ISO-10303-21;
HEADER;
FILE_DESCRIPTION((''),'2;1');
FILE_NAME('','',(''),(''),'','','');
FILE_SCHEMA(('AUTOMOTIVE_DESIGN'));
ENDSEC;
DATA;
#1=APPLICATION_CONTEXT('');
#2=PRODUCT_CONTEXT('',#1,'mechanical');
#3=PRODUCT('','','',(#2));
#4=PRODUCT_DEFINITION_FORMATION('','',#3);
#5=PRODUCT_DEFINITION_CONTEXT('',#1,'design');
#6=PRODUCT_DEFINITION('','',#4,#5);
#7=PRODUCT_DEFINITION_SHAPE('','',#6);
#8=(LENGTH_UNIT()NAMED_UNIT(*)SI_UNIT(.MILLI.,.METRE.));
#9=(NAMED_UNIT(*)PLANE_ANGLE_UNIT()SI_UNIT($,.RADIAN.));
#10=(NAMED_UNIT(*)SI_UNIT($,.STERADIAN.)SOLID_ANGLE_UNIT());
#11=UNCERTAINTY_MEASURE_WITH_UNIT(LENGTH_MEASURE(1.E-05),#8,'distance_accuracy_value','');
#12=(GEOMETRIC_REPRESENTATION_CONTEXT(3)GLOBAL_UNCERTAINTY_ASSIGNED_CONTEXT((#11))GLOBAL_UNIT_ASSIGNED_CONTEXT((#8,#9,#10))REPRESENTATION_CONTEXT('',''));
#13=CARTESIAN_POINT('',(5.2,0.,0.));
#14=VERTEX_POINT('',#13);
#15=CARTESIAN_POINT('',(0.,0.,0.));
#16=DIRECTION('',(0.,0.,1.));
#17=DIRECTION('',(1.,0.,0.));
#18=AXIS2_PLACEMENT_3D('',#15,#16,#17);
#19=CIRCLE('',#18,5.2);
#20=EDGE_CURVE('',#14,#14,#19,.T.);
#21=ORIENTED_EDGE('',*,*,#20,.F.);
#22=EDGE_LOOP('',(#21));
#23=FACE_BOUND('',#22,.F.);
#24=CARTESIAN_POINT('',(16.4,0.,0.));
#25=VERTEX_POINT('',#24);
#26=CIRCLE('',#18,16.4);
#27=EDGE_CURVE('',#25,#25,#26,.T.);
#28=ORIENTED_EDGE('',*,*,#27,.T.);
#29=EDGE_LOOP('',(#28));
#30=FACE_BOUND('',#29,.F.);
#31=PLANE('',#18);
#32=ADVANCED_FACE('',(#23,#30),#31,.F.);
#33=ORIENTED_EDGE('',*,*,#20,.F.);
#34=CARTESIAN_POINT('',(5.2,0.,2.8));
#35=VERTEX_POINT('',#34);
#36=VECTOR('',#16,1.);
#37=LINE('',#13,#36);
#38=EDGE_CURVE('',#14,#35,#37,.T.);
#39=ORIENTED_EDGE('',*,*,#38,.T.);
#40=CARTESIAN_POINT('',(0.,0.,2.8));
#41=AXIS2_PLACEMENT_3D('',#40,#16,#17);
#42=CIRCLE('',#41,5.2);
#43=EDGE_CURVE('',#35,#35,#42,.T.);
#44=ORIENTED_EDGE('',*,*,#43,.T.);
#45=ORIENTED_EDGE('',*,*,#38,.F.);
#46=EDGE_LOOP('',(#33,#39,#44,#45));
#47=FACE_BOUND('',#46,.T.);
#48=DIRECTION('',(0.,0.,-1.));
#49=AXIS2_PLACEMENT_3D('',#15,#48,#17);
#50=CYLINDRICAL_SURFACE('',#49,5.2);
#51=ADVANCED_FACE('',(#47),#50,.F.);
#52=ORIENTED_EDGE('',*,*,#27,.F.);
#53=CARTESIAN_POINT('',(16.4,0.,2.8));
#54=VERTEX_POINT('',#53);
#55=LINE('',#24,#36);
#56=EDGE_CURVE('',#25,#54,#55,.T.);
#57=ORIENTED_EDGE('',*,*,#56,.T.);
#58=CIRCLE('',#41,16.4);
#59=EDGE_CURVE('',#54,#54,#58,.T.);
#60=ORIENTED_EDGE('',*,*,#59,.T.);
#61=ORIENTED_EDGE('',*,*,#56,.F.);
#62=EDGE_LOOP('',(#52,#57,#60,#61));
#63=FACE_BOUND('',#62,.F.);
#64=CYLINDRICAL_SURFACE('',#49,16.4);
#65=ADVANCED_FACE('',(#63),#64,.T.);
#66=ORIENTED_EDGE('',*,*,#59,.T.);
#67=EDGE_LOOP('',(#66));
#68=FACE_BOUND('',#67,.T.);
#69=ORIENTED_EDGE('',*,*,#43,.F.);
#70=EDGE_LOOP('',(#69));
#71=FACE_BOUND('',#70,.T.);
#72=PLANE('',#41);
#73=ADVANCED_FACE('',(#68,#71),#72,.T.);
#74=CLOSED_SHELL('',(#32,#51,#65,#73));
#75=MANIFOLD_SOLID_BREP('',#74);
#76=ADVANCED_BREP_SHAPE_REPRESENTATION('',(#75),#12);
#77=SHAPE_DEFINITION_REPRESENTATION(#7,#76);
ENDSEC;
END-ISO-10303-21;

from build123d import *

# Parameters (mm, degrees)
SKICA1_R                = 16.4
SKICA1_R_2              = 5.2
P_IDAT_VYSUNUT_M1_DEPTH = 2.8


with BuildPart() as part:
    # Skica1 → Přidat vysunutím1 (new body)
    with BuildSketch(Plane.XY):
        Circle(SKICA1_R)
        Circle(SKICA1_R_2, mode=Mode.SUBTRACT)
    extrude(amount=P_IDAT_VYSUNUT_M1_DEPTH)


solid = part.part
